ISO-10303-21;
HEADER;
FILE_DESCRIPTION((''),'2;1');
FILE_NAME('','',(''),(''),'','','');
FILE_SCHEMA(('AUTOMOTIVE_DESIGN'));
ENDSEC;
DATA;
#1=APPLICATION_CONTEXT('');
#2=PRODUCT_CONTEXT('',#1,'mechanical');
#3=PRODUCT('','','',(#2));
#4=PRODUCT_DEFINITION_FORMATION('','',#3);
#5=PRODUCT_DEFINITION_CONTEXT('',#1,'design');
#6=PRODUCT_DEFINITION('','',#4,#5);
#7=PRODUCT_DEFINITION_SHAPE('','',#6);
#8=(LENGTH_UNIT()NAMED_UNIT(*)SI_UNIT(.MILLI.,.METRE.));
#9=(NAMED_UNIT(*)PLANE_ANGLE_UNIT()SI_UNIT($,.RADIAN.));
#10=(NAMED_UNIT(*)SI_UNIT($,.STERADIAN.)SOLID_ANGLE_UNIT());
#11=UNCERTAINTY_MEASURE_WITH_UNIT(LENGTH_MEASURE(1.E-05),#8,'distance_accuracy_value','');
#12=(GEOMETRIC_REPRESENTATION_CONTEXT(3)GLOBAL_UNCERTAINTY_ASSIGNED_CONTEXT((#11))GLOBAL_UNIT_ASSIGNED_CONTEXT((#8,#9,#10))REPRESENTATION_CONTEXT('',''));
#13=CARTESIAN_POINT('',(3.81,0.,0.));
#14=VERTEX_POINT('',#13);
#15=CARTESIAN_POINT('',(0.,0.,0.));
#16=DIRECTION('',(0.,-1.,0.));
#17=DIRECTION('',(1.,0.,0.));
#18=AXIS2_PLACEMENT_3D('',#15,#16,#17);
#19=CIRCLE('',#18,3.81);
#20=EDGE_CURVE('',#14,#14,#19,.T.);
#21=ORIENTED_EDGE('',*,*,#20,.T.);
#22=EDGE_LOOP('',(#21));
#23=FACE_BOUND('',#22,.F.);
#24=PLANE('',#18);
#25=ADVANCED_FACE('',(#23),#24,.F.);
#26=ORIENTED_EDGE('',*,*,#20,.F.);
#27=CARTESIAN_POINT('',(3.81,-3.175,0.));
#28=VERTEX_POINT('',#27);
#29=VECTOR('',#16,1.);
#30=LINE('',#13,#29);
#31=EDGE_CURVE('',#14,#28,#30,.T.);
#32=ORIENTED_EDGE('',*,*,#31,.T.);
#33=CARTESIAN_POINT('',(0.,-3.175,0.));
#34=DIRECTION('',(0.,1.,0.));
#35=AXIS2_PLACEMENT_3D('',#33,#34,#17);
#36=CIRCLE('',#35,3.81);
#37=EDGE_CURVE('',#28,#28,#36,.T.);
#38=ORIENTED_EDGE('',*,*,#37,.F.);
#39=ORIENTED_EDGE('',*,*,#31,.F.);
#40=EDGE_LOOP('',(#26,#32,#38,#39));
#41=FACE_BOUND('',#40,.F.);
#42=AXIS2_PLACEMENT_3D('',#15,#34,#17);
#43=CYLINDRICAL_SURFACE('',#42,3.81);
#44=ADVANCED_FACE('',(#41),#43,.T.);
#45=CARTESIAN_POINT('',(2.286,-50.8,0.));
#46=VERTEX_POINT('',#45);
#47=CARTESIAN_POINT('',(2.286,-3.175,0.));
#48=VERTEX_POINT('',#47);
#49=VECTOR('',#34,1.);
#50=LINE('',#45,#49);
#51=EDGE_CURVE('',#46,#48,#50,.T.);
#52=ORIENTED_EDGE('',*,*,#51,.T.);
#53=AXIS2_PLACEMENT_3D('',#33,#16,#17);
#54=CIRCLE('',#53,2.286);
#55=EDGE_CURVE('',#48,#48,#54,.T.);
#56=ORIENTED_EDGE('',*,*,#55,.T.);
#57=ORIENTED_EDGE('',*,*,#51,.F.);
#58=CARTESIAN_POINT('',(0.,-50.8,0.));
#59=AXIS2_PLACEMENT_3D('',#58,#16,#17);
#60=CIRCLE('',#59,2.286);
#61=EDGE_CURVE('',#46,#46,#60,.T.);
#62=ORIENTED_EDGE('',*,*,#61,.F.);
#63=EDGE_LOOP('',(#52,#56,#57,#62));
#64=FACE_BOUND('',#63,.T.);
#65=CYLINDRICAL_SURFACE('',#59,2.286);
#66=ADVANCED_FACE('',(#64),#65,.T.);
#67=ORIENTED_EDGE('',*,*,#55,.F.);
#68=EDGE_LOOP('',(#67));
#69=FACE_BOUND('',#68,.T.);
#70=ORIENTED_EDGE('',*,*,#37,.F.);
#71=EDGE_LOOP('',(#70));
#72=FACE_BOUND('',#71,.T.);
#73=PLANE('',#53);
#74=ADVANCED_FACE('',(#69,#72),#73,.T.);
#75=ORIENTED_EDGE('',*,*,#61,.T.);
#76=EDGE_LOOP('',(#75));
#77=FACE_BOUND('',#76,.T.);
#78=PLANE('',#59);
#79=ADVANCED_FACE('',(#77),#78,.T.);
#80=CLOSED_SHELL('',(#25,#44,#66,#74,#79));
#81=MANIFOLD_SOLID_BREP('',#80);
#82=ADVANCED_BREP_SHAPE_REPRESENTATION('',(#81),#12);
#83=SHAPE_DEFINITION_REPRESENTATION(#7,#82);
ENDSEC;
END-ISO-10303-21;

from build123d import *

# Parameters (mm, degrees)
F0_R     = 3.81
F1_DEPTH = 50.8
F2_R     = 5.08
F2_R_2   = 2.286
F3_DEPTH = 47.625


with BuildPart() as f1:
    # F0 (on Front) → F1 (new body)
    with BuildSketch(Plane.XZ):
        Circle(F0_R)
    extrude(amount=F1_DEPTH)

    # F2 (on face) → F3 (cut)
    with BuildSketch(Plane.XZ.offset(50.8)):
        Circle(F2_R)
        Circle(F2_R_2, mode=Mode.SUBTRACT)
    extrude(amount=-F3_DEPTH, mode=Mode.SUBTRACT)


solid = f1.part
